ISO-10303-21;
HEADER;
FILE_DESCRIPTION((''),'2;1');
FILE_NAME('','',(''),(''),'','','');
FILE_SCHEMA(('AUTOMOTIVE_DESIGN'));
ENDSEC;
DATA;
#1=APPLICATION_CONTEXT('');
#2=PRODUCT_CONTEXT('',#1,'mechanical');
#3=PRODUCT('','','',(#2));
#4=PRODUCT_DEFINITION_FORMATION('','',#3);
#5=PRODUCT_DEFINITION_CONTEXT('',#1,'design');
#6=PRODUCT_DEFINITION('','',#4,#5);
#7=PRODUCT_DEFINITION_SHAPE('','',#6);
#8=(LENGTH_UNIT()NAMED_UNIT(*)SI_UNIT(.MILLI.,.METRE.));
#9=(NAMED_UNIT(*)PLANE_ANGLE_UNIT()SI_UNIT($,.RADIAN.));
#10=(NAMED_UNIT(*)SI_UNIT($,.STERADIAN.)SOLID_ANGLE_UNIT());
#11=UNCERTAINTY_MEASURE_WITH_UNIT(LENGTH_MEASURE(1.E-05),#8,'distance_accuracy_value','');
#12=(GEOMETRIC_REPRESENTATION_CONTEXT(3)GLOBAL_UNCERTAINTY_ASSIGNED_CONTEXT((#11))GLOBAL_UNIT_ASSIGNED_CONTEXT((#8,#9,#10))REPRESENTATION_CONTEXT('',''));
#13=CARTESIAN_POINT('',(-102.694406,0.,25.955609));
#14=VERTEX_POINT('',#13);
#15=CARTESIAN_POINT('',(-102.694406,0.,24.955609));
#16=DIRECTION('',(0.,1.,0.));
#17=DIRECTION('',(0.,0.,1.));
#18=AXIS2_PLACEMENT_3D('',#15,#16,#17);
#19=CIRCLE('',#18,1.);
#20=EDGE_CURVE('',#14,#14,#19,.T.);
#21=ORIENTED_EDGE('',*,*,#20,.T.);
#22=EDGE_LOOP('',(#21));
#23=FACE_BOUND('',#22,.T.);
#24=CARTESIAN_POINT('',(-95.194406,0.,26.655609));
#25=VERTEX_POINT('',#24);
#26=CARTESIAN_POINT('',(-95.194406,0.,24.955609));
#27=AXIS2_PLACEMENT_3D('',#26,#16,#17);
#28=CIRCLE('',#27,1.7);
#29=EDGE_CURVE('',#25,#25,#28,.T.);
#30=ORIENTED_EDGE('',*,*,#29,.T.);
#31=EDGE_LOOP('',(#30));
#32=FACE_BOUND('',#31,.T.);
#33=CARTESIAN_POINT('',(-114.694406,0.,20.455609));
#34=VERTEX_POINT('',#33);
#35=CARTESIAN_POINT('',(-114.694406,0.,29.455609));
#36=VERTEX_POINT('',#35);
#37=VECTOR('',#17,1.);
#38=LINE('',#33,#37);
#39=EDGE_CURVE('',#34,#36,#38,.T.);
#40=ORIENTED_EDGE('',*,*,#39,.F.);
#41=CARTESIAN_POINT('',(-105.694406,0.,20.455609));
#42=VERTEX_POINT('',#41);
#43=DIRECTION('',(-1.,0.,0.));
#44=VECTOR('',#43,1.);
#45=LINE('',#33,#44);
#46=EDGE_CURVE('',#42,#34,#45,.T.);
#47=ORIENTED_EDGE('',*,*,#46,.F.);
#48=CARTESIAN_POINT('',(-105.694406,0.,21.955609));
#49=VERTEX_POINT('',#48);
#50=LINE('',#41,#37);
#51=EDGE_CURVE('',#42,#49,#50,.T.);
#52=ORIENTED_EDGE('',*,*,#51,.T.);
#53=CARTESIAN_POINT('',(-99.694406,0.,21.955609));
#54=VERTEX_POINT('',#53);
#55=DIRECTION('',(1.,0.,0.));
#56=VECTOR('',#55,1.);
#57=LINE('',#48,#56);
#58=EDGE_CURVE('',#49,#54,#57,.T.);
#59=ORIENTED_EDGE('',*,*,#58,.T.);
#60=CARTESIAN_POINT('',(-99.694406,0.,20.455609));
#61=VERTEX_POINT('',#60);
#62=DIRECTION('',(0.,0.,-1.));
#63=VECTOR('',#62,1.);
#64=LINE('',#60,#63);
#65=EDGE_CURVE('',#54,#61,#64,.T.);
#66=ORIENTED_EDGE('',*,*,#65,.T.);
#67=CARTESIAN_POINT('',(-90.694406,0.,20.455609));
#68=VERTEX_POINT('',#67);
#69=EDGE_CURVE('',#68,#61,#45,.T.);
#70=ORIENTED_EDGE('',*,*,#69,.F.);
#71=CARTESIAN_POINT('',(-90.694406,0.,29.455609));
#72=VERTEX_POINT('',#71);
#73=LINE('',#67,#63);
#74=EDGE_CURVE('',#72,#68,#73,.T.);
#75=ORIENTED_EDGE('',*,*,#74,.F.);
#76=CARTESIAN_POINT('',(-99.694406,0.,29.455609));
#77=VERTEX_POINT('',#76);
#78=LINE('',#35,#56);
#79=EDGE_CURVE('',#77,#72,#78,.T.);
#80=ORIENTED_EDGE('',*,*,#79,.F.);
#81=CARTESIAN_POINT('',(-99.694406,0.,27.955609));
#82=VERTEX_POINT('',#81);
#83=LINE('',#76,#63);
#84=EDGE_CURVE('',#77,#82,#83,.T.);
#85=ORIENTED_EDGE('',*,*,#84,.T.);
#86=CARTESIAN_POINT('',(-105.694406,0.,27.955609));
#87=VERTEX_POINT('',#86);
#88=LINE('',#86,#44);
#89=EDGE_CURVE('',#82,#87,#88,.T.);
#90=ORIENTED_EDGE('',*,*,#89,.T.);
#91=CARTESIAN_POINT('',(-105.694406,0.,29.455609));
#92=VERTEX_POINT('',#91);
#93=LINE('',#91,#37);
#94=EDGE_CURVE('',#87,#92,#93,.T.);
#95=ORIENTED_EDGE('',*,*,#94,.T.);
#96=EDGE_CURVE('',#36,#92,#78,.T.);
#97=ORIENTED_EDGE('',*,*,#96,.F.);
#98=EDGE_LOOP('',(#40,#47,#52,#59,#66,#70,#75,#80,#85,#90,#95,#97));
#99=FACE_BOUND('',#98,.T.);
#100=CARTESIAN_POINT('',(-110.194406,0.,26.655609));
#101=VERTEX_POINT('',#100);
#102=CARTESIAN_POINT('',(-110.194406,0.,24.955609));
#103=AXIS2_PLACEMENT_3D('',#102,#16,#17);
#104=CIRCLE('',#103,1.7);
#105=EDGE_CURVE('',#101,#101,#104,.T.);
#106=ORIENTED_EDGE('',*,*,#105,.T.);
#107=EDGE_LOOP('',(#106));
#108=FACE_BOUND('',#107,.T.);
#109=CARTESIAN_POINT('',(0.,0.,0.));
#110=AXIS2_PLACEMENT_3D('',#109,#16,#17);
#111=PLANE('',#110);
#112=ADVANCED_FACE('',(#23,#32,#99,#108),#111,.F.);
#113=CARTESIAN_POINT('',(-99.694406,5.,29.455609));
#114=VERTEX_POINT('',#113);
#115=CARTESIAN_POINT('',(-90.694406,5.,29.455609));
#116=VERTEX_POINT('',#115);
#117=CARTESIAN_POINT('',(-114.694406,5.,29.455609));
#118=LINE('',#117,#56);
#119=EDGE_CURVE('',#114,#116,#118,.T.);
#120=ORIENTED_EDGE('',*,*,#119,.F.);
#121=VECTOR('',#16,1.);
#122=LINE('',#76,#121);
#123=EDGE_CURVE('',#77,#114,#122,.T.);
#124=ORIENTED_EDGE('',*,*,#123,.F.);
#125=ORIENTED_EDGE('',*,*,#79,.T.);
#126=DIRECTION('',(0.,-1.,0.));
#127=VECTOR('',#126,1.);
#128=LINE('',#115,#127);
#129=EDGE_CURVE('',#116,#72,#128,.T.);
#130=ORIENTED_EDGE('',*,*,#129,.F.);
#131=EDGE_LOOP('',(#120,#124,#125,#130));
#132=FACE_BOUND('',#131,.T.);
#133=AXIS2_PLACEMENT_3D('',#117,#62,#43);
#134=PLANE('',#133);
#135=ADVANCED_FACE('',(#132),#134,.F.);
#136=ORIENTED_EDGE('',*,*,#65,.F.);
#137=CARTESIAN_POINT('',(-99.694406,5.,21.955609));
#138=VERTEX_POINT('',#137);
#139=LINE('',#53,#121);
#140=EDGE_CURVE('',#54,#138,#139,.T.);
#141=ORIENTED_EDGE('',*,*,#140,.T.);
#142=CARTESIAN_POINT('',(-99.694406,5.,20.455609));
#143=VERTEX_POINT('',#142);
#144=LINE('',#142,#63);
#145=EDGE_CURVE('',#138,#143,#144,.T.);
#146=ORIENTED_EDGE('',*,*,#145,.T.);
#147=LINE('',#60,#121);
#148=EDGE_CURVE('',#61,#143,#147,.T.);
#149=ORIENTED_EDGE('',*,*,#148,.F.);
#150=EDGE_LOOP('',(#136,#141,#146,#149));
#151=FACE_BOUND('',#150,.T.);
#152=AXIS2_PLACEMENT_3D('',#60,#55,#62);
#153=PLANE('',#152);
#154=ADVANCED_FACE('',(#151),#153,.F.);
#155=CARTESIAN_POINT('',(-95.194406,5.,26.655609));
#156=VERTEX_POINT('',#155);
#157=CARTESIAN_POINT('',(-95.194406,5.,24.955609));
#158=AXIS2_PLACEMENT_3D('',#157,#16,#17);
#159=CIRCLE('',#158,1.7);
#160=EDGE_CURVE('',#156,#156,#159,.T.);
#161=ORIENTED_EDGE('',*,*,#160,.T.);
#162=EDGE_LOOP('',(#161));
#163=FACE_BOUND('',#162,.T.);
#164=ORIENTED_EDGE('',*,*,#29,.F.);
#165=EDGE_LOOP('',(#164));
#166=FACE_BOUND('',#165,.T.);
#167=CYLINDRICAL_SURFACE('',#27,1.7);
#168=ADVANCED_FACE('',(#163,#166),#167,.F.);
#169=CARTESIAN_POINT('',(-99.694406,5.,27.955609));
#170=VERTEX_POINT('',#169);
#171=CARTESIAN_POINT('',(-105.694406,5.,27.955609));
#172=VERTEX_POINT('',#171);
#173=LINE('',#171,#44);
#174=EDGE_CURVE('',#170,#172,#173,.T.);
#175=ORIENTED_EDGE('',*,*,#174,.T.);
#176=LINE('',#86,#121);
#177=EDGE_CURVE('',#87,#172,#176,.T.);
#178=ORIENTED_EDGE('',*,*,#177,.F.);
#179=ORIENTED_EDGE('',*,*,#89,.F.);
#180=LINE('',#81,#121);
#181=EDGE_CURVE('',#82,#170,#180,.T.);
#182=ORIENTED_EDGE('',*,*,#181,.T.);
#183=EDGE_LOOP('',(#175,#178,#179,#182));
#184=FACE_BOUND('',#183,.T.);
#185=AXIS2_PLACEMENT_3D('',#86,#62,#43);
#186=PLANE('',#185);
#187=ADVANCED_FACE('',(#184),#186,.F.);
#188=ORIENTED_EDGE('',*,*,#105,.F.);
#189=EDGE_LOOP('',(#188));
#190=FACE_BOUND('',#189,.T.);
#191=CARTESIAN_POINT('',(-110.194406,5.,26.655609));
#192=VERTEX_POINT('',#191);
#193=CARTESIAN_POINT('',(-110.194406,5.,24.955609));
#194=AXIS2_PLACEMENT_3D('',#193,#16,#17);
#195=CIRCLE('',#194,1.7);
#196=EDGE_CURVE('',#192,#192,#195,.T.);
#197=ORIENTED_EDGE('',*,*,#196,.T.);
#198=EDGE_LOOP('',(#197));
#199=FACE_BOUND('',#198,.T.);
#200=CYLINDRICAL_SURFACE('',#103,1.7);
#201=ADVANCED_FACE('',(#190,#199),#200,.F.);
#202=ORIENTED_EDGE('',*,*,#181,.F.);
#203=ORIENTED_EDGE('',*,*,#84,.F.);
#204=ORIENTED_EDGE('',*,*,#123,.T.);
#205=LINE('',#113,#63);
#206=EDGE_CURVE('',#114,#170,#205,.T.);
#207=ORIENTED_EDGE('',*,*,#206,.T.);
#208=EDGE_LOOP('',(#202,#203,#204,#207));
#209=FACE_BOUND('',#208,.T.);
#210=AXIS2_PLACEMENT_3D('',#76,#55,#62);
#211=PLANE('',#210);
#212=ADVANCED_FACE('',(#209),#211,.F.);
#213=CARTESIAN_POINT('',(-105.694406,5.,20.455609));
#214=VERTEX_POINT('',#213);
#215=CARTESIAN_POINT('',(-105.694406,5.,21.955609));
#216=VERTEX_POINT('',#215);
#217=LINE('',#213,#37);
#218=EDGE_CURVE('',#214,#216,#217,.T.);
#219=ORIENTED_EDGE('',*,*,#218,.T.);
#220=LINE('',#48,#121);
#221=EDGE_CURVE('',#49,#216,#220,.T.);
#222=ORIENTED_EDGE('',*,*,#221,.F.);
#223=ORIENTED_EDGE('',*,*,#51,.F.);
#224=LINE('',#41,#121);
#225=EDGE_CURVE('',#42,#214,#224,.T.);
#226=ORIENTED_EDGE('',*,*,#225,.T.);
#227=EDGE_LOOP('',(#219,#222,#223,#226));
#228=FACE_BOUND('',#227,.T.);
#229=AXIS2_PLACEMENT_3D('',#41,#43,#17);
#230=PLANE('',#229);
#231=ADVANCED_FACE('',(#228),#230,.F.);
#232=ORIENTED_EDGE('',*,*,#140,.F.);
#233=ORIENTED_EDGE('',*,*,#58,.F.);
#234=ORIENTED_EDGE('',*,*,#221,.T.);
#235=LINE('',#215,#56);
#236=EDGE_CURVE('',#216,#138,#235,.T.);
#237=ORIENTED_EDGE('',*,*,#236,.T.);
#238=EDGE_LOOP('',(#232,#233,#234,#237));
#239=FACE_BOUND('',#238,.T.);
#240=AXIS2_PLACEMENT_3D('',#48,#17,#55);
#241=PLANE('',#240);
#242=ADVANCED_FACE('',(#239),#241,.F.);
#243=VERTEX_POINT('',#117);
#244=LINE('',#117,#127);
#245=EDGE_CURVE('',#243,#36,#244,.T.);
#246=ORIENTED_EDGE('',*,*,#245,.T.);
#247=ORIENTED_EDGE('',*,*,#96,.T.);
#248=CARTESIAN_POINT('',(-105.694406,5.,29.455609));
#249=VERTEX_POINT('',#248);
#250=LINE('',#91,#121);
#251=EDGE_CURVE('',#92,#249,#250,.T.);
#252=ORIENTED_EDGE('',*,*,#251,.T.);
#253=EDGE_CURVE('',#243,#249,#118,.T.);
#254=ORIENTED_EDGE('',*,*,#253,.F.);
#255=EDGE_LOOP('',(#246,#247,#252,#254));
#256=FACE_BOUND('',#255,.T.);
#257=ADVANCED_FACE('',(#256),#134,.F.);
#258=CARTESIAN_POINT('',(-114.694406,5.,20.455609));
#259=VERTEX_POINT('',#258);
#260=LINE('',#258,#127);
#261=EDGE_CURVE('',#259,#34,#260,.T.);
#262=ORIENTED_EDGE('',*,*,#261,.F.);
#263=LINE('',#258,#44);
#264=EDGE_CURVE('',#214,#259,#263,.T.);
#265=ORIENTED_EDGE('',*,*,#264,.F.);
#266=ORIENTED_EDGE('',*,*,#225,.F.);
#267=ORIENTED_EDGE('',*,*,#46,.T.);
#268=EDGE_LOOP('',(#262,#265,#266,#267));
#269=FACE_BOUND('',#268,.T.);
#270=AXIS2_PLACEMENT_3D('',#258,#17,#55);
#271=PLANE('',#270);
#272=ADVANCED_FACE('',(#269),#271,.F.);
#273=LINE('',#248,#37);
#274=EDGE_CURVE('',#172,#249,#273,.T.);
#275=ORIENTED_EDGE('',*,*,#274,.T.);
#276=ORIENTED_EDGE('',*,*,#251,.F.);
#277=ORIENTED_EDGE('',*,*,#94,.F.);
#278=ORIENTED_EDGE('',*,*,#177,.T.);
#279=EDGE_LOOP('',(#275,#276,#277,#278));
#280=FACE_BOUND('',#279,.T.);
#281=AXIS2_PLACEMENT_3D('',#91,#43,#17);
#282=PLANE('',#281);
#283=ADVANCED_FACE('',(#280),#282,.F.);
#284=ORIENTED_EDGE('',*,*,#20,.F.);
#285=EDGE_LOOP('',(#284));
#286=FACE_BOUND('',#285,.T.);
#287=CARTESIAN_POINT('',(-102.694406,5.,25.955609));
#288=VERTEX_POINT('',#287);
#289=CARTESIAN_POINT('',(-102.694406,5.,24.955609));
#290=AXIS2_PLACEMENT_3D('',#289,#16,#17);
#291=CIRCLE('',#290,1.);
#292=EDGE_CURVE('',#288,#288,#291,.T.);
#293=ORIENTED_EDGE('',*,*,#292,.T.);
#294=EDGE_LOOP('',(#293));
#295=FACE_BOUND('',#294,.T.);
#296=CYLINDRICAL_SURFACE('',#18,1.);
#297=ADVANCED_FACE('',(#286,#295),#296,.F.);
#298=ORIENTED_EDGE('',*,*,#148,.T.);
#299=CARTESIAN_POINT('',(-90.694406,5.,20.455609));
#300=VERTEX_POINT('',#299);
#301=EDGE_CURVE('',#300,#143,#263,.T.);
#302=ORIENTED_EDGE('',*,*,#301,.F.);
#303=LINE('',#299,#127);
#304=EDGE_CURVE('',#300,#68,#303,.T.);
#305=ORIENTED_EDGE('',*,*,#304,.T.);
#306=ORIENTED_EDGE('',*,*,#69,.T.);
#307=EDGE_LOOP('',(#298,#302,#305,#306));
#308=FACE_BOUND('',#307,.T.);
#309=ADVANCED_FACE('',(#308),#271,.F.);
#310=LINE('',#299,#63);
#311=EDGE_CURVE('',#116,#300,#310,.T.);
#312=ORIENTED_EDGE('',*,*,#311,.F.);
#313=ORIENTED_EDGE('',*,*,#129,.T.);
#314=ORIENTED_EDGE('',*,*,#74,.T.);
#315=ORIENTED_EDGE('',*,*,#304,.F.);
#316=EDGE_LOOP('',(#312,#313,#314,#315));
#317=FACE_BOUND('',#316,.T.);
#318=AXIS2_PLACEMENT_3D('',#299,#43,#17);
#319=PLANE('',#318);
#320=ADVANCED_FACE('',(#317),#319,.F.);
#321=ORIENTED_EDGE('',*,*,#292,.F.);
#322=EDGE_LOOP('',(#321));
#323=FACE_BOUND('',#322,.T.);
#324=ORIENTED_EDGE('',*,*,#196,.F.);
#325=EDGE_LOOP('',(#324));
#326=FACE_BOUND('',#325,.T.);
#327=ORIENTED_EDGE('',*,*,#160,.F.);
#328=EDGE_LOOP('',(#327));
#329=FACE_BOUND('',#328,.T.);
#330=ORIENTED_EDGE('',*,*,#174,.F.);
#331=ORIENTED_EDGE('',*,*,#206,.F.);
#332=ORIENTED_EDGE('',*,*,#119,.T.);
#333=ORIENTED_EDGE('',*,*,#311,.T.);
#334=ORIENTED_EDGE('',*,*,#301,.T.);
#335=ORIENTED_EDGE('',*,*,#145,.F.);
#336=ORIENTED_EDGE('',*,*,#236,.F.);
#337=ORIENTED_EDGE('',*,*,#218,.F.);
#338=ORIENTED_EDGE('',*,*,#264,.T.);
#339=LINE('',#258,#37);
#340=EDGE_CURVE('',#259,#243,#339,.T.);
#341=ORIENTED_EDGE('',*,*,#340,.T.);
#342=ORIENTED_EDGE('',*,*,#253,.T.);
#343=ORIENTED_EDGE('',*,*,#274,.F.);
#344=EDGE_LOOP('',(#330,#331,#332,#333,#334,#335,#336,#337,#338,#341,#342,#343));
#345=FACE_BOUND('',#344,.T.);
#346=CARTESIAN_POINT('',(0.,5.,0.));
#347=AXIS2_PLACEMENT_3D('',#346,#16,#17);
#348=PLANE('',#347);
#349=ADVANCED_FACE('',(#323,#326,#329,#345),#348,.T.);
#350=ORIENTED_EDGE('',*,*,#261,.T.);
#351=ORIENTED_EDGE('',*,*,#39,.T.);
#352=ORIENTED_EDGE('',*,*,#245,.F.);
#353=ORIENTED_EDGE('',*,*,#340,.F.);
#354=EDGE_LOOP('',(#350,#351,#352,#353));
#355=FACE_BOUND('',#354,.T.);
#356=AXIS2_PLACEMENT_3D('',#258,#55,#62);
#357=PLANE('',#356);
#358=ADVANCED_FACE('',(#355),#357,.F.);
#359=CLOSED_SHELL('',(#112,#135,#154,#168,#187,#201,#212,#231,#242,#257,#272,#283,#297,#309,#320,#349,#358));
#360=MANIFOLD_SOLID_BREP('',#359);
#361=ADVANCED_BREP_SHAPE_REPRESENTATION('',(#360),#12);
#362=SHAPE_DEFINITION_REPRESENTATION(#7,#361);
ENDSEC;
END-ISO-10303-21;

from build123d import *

# Parameters (mm, degrees)
SKETCH3_W           = 24
SKETCH3_H           = 9
BOSS_EXTRUDE2_DEPTH = 5
SKETCH4_R           = 1.7
SKETCH4_R_2         = 1
SKETCH4_W           = 6
SKETCH4_H           = 1.5
CUT_EXTRUDE1_DEPTH  = 5


with BuildPart() as part:
    # Sketch3 → Boss-Extrude2 (new body)
    with BuildSketch(Plane(origin=(0, 0, 0), x_dir=(1, 0, 0), z_dir=(0, 1, 0))):
        with Locations((-102.694405771, -24.955608755)):
            Rectangle(SKETCH3_W, SKETCH3_H)
    extrude(amount=BOSS_EXTRUDE2_DEPTH)

    # Sketch4 → Cut-Extrude1 (cut)
    with BuildSketch(Plane(origin=(0, 5, 0), x_dir=(1, 0, 0), z_dir=(0, 1, 0))):
        with Locations((-110.194405771, -24.955608755)):
            Circle(SKETCH4_R)
        with Locations((-95.194405771, -24.955608755)):
            Circle(SKETCH4_R)
        with Locations((-102.694405771, -24.955608755)):
            Circle(SKETCH4_R_2)
        with Locations((-102.694405771, -28.705608755)):
            Rectangle(SKETCH4_W, SKETCH4_H)
        with Locations((-102.694405771, -21.205608755)):
            Rectangle(SKETCH4_W, SKETCH4_H)
    extrude(amount=-CUT_EXTRUDE1_DEPTH, mode=Mode.SUBTRACT)


solid = part.part
